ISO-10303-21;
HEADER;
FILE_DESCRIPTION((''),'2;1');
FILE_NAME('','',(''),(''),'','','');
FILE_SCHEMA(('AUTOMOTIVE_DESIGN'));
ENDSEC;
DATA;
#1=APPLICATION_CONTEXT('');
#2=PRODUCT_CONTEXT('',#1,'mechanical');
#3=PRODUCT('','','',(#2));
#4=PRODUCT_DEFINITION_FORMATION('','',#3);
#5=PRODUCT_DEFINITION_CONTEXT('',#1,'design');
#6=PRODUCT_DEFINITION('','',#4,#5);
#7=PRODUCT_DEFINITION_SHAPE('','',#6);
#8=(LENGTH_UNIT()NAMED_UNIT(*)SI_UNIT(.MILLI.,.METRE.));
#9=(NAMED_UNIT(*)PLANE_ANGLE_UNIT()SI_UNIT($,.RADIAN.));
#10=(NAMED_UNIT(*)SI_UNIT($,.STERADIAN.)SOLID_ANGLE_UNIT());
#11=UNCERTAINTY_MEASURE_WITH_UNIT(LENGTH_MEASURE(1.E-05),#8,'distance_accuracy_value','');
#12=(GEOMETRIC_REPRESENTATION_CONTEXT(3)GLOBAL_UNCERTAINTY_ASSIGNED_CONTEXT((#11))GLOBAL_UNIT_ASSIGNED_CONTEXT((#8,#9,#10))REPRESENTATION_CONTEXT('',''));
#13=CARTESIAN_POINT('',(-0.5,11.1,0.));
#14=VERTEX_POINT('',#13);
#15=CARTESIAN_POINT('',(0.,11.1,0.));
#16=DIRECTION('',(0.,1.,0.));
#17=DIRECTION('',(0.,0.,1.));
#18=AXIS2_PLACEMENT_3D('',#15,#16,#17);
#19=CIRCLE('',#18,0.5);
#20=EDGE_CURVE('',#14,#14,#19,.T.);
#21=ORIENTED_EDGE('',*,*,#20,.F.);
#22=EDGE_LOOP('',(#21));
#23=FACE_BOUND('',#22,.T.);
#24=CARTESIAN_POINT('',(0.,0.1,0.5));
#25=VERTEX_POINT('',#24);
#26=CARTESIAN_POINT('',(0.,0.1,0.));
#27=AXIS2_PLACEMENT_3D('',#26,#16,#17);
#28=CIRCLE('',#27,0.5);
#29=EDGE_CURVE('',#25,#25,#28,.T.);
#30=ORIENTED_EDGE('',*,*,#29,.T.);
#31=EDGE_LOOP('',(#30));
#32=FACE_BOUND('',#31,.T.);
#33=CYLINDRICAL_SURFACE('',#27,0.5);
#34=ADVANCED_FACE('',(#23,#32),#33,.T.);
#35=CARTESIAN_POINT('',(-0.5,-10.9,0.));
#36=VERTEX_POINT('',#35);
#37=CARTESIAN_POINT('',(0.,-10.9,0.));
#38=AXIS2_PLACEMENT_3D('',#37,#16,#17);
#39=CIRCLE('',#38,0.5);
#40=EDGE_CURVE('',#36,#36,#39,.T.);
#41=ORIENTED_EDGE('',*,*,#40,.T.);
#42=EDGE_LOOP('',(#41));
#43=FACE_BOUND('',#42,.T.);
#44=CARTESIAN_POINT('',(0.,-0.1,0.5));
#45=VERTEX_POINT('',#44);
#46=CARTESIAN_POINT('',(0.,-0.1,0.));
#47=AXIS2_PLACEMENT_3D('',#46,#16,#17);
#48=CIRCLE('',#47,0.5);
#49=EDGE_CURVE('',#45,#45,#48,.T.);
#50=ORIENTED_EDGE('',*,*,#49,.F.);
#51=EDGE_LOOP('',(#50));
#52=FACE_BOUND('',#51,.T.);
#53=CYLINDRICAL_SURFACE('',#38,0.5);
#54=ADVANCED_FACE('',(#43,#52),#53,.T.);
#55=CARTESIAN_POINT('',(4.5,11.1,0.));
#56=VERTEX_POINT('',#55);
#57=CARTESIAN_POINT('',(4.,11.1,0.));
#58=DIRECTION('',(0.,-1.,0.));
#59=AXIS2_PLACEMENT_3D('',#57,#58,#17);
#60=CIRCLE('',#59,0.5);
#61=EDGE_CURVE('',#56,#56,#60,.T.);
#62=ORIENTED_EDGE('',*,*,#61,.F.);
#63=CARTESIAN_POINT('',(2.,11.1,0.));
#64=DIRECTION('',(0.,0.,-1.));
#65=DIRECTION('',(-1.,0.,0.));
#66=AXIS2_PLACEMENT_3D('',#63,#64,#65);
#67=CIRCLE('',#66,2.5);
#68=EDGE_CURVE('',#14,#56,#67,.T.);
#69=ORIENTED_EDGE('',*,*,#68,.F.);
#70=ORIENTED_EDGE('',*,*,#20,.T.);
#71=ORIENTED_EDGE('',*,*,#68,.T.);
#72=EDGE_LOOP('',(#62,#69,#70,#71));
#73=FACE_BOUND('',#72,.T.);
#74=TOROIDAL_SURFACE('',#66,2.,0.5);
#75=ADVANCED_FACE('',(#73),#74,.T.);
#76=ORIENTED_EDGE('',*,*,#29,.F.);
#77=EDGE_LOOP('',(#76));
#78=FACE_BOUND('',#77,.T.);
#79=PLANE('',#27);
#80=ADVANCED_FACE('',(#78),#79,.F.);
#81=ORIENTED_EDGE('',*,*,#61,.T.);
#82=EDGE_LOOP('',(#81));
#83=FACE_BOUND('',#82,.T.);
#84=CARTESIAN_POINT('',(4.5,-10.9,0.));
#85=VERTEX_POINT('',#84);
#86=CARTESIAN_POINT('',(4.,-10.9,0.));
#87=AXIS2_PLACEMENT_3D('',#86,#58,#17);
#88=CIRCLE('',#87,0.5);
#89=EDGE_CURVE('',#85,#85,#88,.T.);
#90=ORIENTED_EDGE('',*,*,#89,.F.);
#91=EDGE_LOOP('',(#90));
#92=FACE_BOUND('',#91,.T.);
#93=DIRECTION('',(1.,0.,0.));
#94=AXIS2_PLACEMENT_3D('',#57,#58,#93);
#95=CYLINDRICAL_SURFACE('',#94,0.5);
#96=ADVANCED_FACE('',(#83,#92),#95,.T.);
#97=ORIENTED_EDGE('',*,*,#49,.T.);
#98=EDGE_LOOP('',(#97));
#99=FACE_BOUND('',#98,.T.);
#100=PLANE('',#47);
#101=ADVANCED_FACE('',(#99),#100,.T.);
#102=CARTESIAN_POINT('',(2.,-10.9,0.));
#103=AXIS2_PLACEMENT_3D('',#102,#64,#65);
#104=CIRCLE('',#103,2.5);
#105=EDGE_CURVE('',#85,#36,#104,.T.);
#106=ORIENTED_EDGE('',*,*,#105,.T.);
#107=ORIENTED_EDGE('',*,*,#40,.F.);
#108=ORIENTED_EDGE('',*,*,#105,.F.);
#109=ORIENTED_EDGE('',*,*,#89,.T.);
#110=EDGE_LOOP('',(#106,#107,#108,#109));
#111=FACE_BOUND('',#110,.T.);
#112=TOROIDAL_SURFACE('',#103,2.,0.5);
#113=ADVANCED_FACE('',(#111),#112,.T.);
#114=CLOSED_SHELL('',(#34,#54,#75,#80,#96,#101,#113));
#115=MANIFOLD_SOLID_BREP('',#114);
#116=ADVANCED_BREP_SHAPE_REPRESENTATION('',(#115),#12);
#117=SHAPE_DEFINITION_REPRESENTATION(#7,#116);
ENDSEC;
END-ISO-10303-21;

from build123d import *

# Parameters (mm, degrees)
SKETCH2_R = 0.5


with BuildPart() as part:
    # Sweep1: sweep along a path in Sketch1
    with BuildLine(Plane.XY) as sweep1_path:
        Line((0, 0.1), (0, 11.1))
        ThreePointArc((0, 11.1), (2, 13.1), (4, 11.1))
        Line((4, 11.1), (4, -10.9))
        ThreePointArc((4, -10.9), (2, -12.9), (0, -10.9))
        Line((0, -10.9), (0, -0.1))
    # Sketch2 → Sweep1 (sweep)
    with BuildSketch(Plane(origin=(0, 0.1, 0), x_dir=(1, 0, 0), z_dir=(0, 1, 0))):
        Circle(SKETCH2_R)
    sweep(path=sweep1_path.line)


solid = part.part
